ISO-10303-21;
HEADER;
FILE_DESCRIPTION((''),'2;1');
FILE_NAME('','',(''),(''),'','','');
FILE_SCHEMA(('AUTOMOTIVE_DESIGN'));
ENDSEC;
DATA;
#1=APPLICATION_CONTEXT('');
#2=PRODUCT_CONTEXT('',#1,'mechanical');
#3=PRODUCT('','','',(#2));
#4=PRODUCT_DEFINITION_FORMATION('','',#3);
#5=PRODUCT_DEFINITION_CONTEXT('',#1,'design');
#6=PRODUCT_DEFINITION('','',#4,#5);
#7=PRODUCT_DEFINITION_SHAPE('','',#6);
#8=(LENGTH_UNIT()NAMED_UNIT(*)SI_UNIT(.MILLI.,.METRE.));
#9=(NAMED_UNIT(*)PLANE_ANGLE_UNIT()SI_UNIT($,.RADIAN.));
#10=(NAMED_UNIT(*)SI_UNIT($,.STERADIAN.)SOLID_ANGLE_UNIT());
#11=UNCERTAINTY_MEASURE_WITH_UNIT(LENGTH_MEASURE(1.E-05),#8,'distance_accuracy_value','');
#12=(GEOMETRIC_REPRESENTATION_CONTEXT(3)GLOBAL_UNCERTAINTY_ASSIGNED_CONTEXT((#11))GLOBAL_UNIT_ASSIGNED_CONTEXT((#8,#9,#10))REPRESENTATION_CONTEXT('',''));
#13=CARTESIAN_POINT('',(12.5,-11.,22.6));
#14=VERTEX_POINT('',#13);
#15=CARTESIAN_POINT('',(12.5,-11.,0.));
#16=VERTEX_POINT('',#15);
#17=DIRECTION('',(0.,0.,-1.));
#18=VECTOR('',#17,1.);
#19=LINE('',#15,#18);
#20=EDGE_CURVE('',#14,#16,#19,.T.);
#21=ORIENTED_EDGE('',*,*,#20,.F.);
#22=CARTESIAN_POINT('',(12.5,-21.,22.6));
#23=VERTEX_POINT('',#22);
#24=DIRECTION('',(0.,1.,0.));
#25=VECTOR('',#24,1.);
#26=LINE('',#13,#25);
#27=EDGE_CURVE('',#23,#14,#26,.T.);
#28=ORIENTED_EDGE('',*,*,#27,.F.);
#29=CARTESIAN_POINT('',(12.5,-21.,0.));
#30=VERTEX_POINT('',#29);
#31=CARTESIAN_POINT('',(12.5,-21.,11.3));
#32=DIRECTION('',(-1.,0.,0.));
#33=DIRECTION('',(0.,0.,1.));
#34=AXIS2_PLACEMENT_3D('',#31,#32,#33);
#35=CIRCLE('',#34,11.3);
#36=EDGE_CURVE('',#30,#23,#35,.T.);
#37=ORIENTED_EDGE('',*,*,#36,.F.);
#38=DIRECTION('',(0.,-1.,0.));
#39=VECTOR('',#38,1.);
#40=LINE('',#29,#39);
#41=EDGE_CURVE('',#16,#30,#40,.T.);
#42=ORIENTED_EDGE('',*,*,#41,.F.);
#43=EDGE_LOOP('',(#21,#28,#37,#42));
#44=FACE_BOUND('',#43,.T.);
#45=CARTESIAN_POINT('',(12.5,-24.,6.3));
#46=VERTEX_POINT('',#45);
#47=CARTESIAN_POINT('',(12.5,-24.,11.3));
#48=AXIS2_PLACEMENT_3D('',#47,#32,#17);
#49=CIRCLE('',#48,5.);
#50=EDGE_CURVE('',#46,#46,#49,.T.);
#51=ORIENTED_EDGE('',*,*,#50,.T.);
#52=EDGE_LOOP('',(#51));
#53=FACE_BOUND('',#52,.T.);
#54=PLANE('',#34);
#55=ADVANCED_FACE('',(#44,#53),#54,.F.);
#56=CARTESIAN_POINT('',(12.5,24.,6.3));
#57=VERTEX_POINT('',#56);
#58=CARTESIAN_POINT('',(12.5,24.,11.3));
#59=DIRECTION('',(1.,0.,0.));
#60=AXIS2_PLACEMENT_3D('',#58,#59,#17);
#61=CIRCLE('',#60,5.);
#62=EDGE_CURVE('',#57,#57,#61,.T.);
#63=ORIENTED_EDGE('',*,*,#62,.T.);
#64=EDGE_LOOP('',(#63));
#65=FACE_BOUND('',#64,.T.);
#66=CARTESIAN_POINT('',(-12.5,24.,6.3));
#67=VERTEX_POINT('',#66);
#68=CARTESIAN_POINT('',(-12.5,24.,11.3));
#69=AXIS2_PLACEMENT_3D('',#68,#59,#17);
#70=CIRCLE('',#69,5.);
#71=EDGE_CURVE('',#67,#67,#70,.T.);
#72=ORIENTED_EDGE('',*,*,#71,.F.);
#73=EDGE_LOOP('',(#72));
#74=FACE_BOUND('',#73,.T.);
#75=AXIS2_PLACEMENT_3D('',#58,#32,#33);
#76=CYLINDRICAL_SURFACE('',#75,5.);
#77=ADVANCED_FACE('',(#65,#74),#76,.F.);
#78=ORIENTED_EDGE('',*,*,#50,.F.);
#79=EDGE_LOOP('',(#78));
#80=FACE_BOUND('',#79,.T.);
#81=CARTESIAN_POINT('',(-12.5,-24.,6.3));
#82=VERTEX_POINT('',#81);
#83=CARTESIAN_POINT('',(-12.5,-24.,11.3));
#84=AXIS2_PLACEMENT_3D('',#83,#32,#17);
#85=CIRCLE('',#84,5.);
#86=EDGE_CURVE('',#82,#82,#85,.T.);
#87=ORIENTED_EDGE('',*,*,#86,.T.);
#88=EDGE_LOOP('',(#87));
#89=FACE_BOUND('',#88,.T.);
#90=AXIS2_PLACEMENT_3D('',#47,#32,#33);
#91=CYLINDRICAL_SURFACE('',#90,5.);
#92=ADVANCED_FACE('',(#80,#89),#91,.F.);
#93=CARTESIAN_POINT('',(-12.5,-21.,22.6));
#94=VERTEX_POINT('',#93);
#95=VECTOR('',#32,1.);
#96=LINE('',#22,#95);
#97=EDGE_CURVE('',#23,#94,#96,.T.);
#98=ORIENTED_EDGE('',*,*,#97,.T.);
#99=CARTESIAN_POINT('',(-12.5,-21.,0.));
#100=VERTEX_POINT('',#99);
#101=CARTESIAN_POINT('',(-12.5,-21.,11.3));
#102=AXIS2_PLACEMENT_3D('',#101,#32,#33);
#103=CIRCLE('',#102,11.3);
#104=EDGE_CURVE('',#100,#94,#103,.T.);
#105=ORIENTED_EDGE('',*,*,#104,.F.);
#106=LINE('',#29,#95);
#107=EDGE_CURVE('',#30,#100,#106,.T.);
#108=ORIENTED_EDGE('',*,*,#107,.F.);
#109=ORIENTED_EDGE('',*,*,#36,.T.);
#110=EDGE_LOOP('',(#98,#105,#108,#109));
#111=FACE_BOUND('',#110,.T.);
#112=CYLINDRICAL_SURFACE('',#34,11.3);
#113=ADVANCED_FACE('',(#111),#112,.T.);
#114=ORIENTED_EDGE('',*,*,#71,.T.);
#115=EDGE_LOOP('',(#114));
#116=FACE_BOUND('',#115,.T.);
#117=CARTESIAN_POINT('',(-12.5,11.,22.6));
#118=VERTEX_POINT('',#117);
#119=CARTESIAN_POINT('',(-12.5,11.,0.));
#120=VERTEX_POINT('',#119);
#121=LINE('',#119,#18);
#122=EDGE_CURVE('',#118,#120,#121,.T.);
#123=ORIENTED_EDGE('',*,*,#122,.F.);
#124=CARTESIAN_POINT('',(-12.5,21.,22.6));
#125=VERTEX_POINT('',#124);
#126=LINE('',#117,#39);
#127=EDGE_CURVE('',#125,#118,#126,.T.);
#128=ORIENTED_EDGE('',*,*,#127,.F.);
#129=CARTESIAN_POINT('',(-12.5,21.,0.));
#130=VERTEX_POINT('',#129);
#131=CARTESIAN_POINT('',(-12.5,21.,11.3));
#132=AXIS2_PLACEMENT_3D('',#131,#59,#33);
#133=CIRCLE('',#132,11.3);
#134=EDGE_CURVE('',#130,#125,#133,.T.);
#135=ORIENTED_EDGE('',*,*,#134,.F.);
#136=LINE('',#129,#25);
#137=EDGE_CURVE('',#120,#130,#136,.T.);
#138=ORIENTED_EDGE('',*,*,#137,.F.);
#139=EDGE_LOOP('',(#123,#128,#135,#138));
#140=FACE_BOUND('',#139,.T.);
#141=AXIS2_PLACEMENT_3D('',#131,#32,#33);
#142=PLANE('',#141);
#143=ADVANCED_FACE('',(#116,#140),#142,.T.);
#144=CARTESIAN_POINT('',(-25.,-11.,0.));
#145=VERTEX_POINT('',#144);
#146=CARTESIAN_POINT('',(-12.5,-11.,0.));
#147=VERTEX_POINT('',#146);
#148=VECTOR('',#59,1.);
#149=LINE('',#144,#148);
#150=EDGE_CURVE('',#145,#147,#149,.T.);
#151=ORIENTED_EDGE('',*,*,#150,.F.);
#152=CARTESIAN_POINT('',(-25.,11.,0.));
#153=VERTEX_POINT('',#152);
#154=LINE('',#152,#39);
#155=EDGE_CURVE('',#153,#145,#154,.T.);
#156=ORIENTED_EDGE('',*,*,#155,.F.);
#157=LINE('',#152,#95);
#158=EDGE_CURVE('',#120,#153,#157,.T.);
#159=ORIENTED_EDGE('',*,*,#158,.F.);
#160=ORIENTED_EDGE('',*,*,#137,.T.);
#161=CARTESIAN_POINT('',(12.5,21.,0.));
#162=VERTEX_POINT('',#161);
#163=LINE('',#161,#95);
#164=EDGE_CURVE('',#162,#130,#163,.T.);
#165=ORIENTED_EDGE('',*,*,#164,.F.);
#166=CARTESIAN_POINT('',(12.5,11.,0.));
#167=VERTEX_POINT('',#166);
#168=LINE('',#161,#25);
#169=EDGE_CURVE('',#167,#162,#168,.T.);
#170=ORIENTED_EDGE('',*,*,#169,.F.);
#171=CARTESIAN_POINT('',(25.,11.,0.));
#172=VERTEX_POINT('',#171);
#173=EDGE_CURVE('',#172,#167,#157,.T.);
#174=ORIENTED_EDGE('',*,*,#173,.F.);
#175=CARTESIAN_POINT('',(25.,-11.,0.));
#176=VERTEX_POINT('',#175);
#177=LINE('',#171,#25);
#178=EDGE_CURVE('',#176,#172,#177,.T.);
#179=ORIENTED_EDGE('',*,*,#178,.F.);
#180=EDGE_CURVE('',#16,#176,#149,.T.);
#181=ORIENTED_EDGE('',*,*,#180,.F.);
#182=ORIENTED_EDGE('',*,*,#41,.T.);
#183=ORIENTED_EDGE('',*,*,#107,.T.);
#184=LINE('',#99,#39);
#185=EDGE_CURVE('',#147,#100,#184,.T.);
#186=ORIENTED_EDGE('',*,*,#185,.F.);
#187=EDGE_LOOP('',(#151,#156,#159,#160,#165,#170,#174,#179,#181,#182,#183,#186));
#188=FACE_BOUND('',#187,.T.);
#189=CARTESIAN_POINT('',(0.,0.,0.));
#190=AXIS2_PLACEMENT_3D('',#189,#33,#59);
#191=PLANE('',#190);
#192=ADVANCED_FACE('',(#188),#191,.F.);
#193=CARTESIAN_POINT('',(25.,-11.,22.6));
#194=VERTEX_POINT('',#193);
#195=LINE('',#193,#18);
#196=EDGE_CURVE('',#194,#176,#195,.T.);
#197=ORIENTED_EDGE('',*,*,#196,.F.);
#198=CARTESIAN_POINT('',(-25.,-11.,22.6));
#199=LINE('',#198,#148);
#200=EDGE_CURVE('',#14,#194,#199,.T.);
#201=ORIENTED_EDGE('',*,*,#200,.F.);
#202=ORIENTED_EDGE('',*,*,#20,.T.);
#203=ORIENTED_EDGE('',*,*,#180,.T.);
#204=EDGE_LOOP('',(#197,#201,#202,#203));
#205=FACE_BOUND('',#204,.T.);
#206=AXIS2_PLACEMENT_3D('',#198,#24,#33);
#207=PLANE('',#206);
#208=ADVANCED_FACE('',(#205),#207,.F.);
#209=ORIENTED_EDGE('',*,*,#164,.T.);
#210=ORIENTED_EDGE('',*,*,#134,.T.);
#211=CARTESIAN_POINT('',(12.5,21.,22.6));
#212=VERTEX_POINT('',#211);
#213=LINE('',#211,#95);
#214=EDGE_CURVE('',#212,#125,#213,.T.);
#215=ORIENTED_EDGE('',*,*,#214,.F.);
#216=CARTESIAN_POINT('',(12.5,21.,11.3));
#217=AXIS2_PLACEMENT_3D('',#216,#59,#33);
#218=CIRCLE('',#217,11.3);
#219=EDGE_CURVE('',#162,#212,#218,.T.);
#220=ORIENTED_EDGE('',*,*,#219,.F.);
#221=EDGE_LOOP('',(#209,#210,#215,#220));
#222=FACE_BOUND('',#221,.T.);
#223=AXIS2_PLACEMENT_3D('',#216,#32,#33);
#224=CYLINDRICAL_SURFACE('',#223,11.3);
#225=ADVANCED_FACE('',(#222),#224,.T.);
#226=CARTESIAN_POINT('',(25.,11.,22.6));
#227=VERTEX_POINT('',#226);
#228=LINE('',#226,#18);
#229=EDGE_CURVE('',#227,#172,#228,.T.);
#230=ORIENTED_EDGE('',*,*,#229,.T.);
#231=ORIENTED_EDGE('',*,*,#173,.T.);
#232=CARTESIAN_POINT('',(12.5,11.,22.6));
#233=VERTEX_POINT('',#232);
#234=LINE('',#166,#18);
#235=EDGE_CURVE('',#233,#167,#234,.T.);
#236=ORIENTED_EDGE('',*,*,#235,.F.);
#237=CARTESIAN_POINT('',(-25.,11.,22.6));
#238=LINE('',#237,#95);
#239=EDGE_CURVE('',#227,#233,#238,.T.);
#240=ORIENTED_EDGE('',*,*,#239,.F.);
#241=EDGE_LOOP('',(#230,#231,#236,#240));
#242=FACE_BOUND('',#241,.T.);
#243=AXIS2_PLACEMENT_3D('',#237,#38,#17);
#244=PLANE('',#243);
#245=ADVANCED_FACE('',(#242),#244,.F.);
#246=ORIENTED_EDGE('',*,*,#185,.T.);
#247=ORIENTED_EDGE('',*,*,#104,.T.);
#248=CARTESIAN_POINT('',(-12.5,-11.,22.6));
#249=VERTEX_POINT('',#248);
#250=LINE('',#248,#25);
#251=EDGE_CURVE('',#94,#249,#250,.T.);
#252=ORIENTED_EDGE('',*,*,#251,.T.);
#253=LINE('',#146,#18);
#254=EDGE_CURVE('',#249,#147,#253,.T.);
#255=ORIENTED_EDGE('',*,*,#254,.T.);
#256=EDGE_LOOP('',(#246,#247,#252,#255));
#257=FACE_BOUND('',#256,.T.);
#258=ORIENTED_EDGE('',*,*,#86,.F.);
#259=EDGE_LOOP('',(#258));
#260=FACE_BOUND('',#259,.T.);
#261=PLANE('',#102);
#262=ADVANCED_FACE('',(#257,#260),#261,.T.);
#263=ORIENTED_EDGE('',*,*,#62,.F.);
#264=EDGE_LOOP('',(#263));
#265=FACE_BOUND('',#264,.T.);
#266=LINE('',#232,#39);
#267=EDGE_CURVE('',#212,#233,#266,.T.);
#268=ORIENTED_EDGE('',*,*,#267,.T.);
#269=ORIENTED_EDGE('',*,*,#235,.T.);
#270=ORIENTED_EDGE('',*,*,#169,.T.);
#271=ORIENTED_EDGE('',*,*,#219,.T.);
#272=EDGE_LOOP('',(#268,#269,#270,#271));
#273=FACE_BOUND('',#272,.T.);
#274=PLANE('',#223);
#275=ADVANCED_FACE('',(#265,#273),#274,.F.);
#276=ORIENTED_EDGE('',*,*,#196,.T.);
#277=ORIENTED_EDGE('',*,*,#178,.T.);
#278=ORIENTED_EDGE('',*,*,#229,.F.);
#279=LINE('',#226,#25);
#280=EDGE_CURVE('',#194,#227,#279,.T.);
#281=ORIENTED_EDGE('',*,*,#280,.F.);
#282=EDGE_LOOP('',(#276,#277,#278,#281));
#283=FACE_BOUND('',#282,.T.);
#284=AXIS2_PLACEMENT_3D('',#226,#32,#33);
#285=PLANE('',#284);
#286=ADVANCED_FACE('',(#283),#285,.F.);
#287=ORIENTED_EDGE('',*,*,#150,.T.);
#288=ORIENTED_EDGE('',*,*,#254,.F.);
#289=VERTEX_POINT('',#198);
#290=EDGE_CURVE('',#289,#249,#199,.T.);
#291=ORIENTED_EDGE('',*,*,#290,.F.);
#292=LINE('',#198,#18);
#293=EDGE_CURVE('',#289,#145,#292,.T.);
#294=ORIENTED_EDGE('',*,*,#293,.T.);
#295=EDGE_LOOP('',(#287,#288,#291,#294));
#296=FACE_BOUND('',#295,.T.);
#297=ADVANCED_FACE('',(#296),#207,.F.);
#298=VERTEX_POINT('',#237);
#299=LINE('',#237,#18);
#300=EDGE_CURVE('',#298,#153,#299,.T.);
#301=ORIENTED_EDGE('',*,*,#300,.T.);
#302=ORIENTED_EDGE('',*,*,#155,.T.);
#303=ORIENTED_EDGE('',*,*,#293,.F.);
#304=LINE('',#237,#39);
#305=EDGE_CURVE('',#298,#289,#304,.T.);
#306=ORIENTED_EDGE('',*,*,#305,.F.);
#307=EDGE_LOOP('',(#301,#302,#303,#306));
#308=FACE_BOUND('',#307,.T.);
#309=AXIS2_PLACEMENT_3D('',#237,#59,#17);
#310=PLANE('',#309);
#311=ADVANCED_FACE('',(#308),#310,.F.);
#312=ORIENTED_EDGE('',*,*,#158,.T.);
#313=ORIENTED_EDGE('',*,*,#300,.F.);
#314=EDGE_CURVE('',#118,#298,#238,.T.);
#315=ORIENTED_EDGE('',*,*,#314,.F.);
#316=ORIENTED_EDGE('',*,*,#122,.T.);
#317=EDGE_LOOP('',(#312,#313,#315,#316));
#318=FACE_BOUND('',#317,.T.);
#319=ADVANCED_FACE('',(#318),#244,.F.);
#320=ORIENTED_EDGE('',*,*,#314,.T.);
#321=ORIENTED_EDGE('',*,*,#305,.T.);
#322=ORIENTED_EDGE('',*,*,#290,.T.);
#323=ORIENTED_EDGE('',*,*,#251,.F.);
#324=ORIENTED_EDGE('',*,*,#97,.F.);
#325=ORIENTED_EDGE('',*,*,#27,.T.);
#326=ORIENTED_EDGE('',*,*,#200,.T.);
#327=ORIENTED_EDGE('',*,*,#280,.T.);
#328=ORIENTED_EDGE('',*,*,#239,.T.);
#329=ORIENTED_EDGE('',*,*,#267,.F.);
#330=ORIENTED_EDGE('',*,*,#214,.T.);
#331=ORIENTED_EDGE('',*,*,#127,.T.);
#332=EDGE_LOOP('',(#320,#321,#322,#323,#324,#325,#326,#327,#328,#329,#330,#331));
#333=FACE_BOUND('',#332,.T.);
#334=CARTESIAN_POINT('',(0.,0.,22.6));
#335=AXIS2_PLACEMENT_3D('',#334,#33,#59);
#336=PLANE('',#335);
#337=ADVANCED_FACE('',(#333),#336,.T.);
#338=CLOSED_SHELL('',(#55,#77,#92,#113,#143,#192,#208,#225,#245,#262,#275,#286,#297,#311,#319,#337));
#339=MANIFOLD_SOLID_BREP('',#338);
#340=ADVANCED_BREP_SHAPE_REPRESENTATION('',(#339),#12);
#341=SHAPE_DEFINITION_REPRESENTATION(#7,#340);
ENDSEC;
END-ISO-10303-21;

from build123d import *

# Parameters (mm, degrees)
SKETCH1_W           = 50
SKETCH1_H           = 22
BOSS_EXTRUDE1_DEPTH = 22.6
SKETCH3_R           = 5
BOSS_EXTRUDE2_DEPTH = 12.5


with BuildPart() as part:
    # Sketch1 → Boss-Extrude1 (new body)
    with BuildSketch(Plane.XY):
        Rectangle(SKETCH1_W, SKETCH1_H)
    extrude(amount=BOSS_EXTRUDE1_DEPTH)

    # Sketch3 → Boss-Extrude2 (add, symmetric)
    with BuildSketch(Plane(origin=(0, 0, 0), x_dir=(0, 0, -1), z_dir=(1, 0, 0))):
        with BuildLine():
            Line((-22.6, 11), (-22.6, 21))
            ThreePointArc((-22.6, 21), (-11.3, 32.3), (0, 21))
            Line((0, 21), (0, 11))
            Line((0, 11), (-22.6, 11))
        make_face()
        with Locations((-11.3, 24)):
            Circle(SKETCH3_R, mode=Mode.SUBTRACT)
    boss_extrude2 = extrude(amount=BOSS_EXTRUDE2_DEPTH, both=True)

    # Mirror1: Boss-Extrude2 across plane
    add(boss_extrude2.mirror(Plane.ZX))


solid = part.part
